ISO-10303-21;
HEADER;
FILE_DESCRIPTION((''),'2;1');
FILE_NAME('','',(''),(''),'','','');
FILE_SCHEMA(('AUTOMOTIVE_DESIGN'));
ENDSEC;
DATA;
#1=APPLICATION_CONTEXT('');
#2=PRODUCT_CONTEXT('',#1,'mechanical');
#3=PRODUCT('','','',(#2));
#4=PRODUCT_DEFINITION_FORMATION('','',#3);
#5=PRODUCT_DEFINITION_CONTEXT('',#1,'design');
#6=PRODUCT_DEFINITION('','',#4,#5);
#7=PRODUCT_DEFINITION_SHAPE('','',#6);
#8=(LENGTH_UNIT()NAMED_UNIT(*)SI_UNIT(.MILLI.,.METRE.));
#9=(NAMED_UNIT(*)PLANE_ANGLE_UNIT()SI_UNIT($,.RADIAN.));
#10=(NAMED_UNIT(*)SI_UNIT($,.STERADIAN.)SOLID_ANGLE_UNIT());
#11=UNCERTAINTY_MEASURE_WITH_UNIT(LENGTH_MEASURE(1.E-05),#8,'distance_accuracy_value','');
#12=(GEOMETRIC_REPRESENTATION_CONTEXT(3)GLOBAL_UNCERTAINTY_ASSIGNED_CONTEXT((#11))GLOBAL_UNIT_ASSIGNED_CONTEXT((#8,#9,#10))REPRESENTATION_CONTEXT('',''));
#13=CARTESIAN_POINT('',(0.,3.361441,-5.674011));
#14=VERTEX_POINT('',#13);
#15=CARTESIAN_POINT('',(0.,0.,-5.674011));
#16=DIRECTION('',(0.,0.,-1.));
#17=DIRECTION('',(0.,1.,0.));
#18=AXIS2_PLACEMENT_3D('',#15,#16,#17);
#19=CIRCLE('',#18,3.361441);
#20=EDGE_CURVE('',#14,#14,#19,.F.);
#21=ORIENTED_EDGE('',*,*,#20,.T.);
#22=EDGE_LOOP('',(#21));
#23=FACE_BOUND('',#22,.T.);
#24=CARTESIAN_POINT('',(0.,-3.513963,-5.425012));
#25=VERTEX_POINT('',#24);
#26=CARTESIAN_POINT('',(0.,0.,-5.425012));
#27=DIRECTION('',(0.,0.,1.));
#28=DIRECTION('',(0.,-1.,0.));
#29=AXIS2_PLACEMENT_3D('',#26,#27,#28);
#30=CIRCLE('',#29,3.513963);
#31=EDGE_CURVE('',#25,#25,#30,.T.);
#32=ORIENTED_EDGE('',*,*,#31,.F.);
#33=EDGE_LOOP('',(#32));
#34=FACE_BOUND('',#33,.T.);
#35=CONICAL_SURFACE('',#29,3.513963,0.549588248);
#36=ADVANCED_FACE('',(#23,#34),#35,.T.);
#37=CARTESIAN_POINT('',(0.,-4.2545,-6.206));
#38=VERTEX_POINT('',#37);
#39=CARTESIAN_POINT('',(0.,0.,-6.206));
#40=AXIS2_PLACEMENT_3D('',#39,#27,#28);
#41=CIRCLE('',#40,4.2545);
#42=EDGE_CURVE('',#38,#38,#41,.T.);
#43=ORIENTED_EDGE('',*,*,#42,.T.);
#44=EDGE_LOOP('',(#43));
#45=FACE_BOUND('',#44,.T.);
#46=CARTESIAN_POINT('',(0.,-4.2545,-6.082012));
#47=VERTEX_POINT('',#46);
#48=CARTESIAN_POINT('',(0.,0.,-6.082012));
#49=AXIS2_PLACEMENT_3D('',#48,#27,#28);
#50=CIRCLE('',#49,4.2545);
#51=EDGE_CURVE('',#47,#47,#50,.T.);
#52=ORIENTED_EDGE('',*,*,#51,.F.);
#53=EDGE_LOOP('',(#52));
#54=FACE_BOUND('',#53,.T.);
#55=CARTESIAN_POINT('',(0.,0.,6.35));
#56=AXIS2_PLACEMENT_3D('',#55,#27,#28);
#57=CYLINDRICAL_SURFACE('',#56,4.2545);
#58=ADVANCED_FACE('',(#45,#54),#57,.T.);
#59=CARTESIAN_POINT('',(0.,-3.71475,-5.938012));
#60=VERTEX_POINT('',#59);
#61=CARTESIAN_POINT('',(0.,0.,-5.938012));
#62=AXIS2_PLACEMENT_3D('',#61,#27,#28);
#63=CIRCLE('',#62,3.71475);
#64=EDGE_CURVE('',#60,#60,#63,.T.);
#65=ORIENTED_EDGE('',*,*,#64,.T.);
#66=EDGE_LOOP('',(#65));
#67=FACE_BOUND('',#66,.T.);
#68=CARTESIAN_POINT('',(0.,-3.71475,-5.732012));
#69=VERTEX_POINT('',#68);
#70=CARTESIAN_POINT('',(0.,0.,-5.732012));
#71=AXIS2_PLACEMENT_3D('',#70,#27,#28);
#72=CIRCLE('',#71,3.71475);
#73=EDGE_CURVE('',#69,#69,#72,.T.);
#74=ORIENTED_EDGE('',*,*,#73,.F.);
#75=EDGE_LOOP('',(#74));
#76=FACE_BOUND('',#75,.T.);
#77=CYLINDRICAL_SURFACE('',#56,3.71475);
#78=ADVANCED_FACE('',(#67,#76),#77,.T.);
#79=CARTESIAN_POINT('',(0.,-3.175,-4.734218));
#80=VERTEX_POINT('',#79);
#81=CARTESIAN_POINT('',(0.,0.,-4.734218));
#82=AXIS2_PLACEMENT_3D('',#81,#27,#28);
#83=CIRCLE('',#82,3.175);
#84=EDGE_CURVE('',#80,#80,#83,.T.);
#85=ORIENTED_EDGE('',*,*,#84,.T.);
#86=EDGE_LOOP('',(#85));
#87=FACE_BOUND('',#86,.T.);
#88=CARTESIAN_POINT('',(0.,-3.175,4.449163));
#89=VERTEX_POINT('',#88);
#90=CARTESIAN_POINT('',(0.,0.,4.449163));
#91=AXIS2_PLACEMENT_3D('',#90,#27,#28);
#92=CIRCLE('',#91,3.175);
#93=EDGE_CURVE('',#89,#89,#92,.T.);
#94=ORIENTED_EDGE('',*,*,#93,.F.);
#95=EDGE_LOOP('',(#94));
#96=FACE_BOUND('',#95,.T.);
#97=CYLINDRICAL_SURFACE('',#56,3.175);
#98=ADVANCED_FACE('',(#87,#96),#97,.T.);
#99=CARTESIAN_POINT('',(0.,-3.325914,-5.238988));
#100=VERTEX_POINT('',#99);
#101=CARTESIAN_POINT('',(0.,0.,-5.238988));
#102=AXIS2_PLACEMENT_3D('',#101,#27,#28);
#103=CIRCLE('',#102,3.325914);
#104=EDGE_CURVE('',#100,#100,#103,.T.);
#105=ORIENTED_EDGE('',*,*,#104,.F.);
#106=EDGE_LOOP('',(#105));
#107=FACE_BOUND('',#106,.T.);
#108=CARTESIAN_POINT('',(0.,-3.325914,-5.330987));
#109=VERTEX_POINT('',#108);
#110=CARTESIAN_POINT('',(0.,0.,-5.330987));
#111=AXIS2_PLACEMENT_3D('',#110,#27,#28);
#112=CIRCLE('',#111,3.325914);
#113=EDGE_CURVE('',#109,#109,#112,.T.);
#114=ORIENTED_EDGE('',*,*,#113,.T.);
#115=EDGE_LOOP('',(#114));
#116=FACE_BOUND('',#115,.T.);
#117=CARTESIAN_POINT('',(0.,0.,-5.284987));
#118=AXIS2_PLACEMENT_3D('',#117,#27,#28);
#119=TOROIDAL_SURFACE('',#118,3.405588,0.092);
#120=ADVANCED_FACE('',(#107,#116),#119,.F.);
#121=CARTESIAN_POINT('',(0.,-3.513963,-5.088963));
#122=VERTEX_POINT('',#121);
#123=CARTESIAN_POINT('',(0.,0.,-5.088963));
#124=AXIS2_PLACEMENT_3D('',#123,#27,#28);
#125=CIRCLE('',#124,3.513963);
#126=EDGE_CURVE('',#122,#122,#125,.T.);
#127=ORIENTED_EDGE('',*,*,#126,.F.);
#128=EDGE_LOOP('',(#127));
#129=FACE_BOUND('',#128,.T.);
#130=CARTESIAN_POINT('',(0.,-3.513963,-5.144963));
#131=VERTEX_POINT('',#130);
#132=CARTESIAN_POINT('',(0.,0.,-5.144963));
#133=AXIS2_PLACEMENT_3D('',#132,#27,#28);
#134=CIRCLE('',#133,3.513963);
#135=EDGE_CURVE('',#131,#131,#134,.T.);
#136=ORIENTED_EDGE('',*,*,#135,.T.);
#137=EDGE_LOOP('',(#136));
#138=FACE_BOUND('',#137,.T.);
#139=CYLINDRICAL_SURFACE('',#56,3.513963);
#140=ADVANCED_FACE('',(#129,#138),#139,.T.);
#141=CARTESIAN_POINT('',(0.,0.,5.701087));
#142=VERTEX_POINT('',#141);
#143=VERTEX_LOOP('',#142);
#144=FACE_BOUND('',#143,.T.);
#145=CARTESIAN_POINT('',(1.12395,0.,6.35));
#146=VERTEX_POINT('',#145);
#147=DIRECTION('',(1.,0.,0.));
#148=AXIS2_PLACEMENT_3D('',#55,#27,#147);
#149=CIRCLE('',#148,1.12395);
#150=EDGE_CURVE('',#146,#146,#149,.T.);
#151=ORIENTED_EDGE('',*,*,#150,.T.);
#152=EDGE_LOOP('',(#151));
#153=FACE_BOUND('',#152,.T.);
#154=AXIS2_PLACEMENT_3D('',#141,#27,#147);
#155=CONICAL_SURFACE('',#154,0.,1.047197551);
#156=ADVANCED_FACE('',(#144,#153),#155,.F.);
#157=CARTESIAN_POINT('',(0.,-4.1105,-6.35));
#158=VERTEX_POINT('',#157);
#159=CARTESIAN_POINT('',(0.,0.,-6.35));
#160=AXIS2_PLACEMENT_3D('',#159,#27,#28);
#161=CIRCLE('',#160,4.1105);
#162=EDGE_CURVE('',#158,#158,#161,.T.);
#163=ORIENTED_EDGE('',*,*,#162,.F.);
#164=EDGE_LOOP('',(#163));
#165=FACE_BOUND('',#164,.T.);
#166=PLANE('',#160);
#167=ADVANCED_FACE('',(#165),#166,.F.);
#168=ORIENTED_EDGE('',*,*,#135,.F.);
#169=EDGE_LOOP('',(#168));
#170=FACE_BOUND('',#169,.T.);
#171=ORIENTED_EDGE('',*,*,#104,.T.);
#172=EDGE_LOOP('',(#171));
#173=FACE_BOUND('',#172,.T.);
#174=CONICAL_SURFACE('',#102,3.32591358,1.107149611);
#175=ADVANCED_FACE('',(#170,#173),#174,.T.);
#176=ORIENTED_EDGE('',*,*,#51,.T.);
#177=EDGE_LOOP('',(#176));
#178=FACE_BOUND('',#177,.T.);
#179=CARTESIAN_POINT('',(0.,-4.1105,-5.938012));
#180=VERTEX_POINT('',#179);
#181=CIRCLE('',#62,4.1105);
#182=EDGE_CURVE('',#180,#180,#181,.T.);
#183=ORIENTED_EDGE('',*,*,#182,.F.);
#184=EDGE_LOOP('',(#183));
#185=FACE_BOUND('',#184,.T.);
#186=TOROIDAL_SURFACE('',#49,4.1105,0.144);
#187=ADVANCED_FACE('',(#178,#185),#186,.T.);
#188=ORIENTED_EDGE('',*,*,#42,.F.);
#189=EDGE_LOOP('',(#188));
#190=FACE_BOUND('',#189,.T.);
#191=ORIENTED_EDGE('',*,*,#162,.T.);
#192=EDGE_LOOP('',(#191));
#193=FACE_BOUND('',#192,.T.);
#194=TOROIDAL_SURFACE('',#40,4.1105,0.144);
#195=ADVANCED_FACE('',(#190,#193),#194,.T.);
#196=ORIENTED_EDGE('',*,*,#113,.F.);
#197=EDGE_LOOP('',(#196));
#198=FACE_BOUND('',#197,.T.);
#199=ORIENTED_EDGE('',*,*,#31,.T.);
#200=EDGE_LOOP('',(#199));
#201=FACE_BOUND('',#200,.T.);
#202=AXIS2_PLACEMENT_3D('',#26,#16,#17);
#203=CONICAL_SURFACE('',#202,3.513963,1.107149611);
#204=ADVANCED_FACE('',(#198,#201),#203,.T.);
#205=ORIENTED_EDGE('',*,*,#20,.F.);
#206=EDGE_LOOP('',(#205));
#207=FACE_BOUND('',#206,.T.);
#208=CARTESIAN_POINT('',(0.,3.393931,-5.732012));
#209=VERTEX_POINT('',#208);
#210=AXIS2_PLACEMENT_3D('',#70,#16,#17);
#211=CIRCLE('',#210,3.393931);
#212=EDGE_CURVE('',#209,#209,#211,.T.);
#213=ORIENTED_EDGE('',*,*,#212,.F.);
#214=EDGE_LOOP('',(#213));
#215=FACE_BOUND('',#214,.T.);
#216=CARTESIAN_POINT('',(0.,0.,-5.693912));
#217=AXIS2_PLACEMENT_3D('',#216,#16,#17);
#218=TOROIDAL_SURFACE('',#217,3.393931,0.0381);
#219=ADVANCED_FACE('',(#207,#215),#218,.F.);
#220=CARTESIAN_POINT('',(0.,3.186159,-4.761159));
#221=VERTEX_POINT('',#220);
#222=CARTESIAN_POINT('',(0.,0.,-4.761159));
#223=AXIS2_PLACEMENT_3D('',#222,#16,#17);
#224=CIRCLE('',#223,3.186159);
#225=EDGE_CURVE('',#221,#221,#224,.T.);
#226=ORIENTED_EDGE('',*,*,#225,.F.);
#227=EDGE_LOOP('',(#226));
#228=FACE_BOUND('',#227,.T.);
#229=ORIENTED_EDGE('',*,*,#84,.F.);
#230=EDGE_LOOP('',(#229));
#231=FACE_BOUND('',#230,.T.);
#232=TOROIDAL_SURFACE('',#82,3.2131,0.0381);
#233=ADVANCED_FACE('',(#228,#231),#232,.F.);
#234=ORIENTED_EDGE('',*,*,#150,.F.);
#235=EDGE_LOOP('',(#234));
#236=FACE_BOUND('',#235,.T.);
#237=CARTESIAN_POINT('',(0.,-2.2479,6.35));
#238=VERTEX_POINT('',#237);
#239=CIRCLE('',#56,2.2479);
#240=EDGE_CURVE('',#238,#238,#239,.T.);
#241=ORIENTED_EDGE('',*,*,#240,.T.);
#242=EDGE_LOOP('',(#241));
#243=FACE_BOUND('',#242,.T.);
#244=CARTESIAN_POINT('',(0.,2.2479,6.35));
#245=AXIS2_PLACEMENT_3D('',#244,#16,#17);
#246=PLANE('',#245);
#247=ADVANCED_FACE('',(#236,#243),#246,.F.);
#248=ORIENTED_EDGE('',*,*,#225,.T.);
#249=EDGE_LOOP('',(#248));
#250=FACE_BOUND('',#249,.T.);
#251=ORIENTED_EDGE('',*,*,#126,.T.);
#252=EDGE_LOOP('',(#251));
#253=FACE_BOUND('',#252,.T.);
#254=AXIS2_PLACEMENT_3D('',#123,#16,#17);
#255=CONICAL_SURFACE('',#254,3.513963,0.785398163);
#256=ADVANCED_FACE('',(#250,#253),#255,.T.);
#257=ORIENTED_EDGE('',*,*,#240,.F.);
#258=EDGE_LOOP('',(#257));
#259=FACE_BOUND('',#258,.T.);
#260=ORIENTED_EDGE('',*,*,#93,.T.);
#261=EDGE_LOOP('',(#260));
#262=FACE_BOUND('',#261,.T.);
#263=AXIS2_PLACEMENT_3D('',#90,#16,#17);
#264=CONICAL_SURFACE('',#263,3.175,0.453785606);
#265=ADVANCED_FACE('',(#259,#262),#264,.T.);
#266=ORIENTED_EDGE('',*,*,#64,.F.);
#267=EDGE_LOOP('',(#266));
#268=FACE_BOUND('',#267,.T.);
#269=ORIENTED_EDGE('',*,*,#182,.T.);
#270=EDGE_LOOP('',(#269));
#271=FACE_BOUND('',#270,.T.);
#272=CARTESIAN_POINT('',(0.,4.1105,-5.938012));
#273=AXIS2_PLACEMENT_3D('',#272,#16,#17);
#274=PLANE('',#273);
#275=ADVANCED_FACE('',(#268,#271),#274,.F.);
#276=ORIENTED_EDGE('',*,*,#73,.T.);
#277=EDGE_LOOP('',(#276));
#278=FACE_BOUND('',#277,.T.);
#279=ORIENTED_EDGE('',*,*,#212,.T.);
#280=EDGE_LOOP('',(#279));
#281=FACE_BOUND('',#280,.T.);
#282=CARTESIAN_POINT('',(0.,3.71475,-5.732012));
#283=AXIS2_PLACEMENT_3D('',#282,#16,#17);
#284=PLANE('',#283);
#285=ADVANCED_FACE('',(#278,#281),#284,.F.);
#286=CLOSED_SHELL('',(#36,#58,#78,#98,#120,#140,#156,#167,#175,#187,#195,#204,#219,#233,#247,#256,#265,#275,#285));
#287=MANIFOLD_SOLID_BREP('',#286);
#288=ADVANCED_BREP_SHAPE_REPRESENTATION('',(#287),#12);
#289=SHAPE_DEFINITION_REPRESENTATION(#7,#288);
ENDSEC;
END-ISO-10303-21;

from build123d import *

# Parameters (mm, degrees)
FILLET1_R = 0.0381


with BuildPart() as part:
    # Sketch2 → Revolve1 (revolve)
    with BuildSketch(Plane(origin=(0, 0, 0), x_dir=(0, 0, -1), z_dir=(1, 0, 0))):
        with BuildLine():
            Line((-6.35, 0), (6.35, 0))
            Line((6.35, 0), (6.35, 4.1105))
            ThreePointArc((6.35, 4.1105), (6.307823376, 4.212323376), (6.206, 4.2545))
            Line((6.206, 4.2545), (6.082012, 4.2545))
            ThreePointArc((6.082012, 4.2545), (5.980188624, 4.212323376), (5.938012, 4.1105))
            Line((5.938012, 4.1105), (5.938012, 3.71475))
            Line((5.938012, 3.71475), (5.732012, 3.71475))
            Line((5.732012, 3.71475), (5.732012, 3.513963))
            Line((5.732012, 3.513963), (5.425012, 3.513963))
            Line((5.425012, 3.513963), (5.3309875, 3.32591358))
            ThreePointArc((5.3309875, 3.32591358), (5.2849875, 3.313587917), (5.2389875, 3.32591358))
            Line((5.2389875, 3.32591358), (5.144963, 3.513963))
            Line((5.144963, 3.513963), (5.088963, 3.513963))
            Line((5.088963, 3.513963), (4.75, 3.175))
            Line((4.75, 3.175), (-4.449163308, 3.175))
            Line((-4.449163308, 3.175), (-6.35, 2.2479))
            Line((-6.35, 2.2479), (-6.35, 0))
        make_face()
    revolve(axis=Axis((0, 0, 6.35), (0, 0, -1)))

    # Sketch3 → Cut-Revolve1 (revolve, cut)
    with BuildSketch(Plane(origin=(0, 0, 0), x_dir=(0, 0, -1), z_dir=(1, 0, 0))):
        Polygon((-6.35, 1.12395), (-5.701087165, 0), (-6.35, 0), align=None)
    revolve(axis=Axis((0, 0, 6.35), (0, 0, -1)), mode=Mode.SUBTRACT)

    # Sketch4 → Cut-Revolve2 (revolve, cut)
    with BuildSketch(Plane(origin=(0, 0, 0), x_dir=(0, 0, -1), z_dir=(1, 0, 0))):
        Polygon((5.425012, 3.513963), (5.732012, 3.32591358), (5.732012, 3.513963), align=None)
    revolve(axis=Axis((0, 0, 6.35), (0, 0, -1)), mode=Mode.SUBTRACT)

    # Fillet1
    fillet1_edges = [part.edges().sort_by_distance(p)[0] for p in [
        (0, -3.175, -4.75),
        (0, -3.32591358, -5.732012),
    ]]
    fillet(fillet1_edges, radius=FILLET1_R)


solid = part.part
